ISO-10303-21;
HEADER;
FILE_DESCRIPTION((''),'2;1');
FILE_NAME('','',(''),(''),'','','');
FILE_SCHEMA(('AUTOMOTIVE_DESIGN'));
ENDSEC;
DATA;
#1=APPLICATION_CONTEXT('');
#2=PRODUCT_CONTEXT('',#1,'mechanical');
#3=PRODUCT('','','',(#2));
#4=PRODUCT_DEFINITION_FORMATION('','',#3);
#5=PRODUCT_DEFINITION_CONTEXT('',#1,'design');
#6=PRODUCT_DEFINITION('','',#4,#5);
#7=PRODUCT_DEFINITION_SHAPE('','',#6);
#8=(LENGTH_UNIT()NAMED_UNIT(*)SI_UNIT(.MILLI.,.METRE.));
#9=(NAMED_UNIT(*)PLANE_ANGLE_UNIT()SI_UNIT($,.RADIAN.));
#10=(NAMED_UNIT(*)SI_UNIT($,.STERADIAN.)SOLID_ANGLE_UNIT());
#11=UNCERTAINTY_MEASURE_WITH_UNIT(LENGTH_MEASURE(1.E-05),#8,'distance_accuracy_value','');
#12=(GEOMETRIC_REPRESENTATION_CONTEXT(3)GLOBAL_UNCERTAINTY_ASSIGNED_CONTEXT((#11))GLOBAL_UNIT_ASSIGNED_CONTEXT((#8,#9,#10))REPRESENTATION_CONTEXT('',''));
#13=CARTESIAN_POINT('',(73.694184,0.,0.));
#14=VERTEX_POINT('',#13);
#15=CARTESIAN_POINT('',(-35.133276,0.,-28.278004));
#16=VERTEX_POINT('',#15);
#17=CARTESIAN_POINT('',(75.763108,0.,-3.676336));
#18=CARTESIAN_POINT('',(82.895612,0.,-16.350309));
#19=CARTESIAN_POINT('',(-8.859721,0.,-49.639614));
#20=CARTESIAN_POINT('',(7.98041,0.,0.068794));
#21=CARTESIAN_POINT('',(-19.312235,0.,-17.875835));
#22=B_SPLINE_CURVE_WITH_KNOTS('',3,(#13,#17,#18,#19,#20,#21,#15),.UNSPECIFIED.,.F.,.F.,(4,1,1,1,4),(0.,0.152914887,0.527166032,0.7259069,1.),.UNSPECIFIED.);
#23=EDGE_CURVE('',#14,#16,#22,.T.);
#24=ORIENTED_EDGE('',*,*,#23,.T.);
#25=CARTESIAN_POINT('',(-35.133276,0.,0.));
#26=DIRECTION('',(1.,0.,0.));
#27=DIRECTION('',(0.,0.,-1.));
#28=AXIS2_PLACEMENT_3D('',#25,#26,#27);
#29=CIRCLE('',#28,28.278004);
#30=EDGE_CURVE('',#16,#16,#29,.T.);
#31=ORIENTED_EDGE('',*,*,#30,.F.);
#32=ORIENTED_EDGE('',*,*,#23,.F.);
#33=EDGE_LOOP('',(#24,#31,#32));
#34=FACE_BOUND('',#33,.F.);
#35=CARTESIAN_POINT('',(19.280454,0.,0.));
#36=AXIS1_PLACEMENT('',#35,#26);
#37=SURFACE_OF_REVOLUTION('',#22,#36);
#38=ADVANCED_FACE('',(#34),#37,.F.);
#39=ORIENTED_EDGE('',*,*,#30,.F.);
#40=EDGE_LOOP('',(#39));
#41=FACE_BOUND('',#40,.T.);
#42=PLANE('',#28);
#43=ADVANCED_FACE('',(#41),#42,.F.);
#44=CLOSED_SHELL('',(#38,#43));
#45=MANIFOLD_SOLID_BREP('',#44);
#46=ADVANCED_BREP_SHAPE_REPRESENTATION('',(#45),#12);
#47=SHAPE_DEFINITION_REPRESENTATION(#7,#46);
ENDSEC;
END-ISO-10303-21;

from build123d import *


with BuildPart() as f3:
    # F0 (on Front) → F3 (revolve)
    with BuildSketch(Plane.XZ):
        with BuildLine():
            add(Edge.make_bspline(
                [(73.6941844225, 0), (75.7631076765, -3.6763355994), (82.8956118243, -16.3503093007), (-8.859720763, -49.6396143974), (7.9804095961, 0.06879446), (-19.3122351383, -17.8758348829), (-35.1332761347, -28.2780043781)],
                knots=[0, 0, 0, 0, 0.1529148865, 0.5271660318, 0.7259069003, 1, 1, 1, 1], degree=3))
            Line((73.6941844225, 0), (-35.1332761347, 0))
            Line((-35.1332761347, 0), (-35.1332761347, -28.2780043781))
        make_face()
    revolve(axis=Axis((19.2804541439, 0, 0), (1, 0, 0)))


solid = f3.part
